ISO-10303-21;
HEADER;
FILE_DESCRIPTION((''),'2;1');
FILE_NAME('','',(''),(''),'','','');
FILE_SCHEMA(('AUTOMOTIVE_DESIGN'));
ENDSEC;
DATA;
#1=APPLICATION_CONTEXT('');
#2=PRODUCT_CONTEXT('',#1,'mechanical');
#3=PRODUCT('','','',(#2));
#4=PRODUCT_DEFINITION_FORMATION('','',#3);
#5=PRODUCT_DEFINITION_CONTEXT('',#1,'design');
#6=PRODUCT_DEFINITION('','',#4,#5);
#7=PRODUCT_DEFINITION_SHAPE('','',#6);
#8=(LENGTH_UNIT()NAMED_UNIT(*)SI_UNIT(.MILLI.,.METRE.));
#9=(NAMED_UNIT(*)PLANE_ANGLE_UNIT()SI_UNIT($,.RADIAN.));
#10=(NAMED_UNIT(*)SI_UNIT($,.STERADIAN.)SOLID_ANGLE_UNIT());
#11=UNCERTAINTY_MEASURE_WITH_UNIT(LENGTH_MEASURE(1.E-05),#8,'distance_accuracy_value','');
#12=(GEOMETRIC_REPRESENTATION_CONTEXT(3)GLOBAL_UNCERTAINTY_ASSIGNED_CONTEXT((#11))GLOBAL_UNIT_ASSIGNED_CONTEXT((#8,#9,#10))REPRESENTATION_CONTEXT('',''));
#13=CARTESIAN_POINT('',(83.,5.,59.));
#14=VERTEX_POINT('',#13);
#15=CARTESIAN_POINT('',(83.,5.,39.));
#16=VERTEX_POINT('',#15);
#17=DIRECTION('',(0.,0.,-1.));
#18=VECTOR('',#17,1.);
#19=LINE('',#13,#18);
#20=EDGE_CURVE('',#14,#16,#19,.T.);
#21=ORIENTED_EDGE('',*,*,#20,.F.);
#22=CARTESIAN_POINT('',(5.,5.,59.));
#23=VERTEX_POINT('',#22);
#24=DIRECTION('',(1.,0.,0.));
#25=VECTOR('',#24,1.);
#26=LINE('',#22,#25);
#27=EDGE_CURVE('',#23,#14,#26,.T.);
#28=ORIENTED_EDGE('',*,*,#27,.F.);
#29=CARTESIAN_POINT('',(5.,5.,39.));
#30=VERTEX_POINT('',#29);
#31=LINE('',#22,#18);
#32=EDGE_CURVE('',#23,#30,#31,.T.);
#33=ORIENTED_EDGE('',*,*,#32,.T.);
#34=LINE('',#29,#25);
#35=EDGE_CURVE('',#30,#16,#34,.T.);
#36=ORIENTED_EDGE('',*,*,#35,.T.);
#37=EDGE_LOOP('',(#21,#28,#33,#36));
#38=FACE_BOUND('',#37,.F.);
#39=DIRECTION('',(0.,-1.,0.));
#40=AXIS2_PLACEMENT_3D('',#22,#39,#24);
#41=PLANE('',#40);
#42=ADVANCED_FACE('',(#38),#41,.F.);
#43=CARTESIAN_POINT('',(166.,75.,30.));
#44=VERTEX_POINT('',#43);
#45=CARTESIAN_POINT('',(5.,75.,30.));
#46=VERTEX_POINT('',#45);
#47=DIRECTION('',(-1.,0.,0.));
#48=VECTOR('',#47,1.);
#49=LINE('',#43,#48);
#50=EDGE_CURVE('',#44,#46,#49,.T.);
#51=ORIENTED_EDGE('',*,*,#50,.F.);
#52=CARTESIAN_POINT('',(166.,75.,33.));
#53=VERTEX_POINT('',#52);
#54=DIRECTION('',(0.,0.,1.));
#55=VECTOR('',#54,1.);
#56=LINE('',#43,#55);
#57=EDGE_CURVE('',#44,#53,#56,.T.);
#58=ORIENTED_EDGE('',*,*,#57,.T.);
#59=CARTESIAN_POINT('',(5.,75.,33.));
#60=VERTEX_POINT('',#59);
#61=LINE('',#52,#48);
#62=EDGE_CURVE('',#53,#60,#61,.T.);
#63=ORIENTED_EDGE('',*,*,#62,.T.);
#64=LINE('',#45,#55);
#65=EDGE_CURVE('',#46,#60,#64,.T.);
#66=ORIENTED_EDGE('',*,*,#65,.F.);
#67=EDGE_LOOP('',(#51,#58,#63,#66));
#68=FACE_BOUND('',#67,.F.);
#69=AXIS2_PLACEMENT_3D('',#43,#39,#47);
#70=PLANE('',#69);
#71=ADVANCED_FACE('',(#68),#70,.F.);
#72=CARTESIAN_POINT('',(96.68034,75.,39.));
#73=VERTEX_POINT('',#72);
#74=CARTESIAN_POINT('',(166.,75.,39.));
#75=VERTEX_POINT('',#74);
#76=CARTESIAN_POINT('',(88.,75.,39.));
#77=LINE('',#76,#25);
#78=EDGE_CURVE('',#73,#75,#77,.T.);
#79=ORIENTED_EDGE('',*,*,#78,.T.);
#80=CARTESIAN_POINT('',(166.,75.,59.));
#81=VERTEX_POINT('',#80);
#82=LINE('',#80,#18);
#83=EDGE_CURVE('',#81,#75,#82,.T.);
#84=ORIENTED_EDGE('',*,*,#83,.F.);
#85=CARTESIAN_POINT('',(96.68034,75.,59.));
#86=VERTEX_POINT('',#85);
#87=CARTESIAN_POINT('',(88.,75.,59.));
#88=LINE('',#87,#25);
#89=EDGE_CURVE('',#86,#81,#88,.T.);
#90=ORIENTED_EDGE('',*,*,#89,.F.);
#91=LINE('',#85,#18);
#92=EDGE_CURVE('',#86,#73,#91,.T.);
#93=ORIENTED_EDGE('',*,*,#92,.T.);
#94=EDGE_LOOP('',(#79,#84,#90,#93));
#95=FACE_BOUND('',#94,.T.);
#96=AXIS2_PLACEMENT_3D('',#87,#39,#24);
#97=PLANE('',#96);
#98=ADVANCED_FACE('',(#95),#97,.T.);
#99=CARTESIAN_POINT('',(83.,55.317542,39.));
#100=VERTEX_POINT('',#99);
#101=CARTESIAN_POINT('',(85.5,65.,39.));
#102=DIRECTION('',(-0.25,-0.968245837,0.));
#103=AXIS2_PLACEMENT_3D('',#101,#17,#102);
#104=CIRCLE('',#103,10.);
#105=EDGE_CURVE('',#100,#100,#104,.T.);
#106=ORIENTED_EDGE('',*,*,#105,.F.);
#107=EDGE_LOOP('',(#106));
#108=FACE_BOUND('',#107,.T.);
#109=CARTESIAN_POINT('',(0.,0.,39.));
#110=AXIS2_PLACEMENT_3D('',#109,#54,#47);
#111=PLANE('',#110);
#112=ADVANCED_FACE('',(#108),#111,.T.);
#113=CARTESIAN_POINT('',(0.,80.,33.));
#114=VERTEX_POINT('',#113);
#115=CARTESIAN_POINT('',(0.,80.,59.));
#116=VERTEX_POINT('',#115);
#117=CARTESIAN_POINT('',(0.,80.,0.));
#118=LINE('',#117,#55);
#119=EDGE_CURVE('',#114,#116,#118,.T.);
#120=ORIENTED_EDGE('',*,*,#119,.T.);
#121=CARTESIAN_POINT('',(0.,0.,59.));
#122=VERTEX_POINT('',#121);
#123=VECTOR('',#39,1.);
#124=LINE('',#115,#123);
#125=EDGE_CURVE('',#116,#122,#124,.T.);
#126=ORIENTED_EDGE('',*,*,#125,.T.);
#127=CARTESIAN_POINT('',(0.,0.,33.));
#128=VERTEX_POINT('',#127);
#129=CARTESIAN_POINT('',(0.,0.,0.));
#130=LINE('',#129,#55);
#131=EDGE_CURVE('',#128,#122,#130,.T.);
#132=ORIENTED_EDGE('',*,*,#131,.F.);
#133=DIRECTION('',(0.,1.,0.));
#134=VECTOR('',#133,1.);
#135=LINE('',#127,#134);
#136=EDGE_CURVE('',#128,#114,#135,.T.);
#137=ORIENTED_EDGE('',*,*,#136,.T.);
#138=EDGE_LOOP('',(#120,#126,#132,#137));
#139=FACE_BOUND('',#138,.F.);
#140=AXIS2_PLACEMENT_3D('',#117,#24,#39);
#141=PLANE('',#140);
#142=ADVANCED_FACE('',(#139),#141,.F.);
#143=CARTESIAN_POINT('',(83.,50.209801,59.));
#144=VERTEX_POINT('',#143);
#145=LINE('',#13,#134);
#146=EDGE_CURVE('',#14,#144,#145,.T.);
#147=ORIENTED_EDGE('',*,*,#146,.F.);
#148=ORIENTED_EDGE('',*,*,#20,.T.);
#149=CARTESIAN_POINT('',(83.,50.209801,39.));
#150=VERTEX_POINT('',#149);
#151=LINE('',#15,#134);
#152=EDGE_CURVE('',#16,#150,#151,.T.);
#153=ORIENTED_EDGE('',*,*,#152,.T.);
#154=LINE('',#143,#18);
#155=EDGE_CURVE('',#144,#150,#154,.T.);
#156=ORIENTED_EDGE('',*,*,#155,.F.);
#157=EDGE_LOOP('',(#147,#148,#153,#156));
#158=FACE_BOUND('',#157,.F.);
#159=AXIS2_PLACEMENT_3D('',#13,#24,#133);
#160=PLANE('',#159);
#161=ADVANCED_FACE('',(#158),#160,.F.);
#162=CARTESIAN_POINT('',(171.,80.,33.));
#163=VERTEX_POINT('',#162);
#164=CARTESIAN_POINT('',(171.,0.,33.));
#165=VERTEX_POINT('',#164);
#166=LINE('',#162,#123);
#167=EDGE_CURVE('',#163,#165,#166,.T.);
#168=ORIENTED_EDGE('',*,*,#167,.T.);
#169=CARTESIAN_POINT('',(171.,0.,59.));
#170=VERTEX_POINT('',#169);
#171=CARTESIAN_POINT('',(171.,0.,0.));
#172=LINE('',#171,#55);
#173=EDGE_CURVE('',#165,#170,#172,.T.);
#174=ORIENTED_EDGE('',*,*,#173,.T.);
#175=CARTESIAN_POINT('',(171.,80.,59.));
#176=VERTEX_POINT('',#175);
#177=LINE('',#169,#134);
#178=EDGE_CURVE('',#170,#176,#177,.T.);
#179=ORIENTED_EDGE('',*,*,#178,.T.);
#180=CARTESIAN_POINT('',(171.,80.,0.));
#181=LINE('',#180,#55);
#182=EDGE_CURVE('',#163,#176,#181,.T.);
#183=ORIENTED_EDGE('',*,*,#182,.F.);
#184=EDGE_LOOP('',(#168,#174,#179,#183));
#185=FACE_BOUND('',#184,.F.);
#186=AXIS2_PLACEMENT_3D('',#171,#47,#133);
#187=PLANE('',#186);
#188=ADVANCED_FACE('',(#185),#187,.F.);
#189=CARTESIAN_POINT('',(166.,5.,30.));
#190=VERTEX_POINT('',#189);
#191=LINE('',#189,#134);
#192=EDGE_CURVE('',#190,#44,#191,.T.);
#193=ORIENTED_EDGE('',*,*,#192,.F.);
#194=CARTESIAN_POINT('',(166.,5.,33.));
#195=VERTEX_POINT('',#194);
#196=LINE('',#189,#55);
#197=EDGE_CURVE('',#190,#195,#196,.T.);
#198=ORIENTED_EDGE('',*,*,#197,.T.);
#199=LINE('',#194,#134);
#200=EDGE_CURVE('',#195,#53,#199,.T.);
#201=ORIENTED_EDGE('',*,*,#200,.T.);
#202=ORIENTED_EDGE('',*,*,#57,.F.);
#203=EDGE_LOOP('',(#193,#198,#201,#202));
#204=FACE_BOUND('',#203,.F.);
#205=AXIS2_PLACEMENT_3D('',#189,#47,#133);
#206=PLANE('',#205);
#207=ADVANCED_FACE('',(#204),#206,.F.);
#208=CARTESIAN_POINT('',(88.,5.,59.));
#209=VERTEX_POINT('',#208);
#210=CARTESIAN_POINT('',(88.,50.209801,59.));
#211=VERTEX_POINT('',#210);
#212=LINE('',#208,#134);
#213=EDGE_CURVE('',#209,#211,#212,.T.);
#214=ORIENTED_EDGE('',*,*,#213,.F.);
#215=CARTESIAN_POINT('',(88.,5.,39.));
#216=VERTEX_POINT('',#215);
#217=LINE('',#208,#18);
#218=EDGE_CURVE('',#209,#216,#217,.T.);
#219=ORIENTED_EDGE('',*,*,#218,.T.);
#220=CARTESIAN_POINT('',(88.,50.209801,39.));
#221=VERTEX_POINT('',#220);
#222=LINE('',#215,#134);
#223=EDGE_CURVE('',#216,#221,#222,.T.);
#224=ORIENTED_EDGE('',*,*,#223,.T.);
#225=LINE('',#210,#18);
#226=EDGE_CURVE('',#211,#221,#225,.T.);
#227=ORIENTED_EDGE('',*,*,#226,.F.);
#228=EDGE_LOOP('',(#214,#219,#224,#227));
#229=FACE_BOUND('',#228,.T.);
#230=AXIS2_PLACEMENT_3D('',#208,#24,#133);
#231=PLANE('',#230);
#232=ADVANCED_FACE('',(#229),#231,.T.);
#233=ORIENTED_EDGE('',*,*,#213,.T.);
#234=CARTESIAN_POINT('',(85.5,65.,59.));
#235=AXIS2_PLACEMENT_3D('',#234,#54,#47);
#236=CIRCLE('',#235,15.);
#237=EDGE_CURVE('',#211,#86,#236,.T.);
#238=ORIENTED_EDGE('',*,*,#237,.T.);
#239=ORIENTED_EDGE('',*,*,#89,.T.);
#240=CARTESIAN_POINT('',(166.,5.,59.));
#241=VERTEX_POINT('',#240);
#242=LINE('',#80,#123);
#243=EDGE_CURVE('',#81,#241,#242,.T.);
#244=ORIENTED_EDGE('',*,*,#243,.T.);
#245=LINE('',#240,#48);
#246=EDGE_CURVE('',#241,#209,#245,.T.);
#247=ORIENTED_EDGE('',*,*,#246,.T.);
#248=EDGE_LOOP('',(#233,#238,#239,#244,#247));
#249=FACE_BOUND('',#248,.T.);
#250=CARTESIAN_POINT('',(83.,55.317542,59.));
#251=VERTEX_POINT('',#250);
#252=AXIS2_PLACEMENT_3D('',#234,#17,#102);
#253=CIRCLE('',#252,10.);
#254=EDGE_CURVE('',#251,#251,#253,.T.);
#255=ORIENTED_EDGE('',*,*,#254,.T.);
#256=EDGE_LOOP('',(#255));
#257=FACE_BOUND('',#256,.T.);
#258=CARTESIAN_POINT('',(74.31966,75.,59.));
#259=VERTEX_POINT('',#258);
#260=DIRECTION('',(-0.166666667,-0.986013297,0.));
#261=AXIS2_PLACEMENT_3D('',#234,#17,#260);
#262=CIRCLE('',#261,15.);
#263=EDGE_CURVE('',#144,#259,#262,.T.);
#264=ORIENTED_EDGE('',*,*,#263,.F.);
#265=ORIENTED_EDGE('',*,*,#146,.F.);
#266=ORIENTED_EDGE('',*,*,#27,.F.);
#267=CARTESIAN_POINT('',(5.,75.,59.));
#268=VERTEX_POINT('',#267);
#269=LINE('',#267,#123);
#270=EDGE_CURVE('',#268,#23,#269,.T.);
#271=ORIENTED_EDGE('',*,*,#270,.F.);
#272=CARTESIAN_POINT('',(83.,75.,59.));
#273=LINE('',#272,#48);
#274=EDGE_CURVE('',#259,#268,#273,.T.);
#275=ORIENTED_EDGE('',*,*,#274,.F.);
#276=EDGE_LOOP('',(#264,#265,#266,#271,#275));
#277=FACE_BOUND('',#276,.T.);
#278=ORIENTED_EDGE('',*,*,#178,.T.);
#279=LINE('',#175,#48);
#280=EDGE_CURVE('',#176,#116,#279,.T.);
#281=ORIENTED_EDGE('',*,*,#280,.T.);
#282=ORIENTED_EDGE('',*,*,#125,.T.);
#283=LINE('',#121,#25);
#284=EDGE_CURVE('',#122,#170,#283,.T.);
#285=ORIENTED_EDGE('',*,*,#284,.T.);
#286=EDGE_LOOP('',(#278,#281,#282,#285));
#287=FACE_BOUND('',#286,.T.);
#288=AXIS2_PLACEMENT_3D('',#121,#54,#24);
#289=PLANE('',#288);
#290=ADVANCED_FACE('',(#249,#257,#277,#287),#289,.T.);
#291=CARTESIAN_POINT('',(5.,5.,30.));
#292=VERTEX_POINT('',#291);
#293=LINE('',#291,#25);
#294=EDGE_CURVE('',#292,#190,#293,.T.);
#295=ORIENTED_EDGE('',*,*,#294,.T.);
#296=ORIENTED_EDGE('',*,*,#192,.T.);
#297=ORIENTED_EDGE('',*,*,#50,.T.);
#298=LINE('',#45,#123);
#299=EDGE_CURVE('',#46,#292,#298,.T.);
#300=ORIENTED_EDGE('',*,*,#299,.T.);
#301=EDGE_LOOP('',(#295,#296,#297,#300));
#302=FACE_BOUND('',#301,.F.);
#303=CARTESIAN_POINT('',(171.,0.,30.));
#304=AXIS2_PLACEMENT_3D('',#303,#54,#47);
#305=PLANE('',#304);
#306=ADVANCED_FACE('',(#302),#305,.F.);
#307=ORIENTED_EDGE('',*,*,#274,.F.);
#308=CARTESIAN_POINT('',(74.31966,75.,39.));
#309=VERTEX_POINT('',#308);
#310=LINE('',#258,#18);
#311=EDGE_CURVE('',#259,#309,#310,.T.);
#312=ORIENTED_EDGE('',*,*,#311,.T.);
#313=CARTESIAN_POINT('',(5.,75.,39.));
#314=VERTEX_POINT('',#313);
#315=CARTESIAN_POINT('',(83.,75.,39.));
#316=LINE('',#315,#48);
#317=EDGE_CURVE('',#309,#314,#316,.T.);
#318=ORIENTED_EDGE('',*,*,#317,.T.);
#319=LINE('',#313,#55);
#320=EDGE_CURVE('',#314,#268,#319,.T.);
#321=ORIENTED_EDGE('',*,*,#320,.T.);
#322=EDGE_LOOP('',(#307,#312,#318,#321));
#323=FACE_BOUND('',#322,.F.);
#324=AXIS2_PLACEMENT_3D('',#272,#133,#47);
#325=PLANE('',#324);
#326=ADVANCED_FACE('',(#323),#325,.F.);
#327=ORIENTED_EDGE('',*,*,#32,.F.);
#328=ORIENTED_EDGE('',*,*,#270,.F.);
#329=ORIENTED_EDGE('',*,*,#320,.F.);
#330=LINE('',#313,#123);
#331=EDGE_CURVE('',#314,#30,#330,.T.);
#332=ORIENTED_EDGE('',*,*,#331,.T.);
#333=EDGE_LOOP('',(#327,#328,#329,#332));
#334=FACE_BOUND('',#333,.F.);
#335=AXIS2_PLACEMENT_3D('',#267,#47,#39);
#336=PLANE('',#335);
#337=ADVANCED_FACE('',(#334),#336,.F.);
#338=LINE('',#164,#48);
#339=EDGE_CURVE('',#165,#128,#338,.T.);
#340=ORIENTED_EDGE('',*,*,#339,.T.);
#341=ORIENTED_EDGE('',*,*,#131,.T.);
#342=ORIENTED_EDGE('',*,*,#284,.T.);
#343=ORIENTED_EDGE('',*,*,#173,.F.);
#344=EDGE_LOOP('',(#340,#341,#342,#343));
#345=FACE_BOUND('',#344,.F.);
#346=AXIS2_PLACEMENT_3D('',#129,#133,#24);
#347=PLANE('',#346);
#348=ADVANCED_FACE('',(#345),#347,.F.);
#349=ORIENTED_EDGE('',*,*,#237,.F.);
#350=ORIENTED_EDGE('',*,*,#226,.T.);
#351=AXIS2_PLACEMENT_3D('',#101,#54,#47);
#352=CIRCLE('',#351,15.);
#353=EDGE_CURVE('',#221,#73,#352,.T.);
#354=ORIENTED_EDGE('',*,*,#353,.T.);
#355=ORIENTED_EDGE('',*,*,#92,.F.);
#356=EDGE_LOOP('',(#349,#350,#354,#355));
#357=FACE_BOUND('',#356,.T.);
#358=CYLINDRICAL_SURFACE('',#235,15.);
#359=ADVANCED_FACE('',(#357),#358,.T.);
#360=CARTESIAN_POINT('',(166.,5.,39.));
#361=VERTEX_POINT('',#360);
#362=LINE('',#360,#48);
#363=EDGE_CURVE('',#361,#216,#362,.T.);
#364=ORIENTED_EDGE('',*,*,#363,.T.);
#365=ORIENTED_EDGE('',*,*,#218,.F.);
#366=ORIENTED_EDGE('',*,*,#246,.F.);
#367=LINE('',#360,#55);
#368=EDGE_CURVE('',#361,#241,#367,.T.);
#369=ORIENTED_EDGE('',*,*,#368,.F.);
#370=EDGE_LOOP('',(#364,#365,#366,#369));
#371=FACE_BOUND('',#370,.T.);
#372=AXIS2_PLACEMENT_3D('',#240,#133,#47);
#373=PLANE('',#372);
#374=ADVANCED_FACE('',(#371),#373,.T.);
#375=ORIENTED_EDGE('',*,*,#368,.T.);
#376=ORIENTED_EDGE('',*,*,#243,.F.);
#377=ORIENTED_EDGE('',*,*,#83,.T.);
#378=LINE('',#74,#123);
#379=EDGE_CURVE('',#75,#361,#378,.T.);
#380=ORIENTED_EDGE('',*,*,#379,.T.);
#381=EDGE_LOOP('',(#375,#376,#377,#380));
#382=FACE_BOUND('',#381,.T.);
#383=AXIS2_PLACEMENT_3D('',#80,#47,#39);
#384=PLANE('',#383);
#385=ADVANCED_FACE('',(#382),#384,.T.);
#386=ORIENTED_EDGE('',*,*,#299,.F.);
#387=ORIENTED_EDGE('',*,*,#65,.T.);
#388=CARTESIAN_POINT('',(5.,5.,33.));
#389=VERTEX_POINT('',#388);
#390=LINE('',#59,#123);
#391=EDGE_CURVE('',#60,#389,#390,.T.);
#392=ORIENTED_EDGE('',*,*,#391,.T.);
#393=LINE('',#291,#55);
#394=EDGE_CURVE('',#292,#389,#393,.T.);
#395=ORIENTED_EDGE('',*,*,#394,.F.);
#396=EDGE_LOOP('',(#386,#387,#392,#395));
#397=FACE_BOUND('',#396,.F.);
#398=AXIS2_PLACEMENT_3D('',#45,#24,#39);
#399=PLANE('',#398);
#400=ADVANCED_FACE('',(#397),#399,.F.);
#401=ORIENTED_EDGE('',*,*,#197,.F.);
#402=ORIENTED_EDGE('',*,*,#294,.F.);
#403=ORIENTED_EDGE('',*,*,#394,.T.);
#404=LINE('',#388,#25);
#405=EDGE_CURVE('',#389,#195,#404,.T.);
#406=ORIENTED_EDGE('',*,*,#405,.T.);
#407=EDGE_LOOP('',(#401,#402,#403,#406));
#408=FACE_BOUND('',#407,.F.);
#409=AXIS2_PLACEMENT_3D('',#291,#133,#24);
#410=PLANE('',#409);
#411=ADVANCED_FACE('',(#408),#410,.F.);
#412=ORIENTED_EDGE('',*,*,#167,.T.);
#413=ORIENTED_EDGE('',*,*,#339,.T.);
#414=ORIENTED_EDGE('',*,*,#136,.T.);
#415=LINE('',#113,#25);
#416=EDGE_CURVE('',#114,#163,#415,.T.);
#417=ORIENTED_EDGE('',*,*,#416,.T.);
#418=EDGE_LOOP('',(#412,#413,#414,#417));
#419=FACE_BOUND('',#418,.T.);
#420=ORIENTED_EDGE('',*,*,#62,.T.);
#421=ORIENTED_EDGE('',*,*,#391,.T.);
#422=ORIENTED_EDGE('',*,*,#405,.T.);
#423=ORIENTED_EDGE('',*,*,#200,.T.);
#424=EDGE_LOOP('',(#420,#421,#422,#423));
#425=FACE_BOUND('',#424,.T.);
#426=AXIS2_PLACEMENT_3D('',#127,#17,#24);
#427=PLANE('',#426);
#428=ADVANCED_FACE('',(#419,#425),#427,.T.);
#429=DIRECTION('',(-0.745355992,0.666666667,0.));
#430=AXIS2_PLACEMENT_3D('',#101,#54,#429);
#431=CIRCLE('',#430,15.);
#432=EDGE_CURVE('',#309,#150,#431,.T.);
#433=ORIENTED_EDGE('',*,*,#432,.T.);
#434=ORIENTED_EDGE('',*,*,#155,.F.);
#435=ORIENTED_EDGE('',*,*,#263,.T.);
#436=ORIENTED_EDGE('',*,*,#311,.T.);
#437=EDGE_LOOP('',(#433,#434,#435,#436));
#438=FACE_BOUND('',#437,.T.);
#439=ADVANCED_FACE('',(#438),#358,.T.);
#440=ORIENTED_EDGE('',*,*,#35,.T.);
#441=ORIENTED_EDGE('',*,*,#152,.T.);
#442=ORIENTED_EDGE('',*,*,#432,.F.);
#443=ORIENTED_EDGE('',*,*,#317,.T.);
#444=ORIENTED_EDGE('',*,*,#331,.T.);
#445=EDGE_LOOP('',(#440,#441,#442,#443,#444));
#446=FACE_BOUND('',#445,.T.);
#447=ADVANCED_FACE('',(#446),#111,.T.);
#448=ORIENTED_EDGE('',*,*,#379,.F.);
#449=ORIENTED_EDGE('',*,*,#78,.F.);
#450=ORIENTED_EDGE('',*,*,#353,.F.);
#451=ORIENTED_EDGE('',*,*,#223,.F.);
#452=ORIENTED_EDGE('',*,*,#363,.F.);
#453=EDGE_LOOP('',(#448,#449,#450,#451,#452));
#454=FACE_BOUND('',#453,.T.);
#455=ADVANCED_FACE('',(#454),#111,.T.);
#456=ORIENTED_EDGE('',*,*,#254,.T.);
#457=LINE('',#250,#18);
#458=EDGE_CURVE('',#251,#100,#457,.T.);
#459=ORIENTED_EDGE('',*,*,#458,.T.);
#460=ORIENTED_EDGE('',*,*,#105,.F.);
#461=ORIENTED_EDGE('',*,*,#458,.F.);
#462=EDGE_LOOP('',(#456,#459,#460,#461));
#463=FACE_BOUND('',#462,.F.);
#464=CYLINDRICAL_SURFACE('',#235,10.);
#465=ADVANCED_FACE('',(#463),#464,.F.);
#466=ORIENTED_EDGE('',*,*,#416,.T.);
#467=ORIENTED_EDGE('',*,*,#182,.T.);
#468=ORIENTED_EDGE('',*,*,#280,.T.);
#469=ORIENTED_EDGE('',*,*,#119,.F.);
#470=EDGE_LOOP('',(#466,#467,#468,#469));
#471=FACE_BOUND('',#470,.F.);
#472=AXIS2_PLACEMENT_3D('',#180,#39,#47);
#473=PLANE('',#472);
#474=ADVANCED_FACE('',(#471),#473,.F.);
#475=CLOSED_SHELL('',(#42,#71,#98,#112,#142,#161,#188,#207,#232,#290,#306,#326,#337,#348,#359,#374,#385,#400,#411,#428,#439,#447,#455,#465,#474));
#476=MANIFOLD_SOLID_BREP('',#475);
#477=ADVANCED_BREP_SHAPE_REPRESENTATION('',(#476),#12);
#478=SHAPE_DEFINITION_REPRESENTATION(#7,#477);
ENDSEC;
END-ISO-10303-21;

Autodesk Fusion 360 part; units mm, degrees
sketch "Sketch1" plane through (0, 0, 0) normal (0, 0, 1) x (1, 0, 0)
  line L0 (0, 0) -> (171, 0)
  line L1 (171, 0) -> (171, 80)
  line L2 (171, 80) -> (0, 80)
  line L3 (0, 80) -> (0, 0)
  dimension "d1" = 171
  dimension "d2" = 80
extrude "Extrude1" add sketch "Sketch1" along normal blind 59
sketch "Sketch2" plane through (0, 0, 59) normal (0, 0, 1) x (-1, 0, 0)
  line L0 (0, -80) -> (0, 0)
  line L1 (0, 0) -> (-171, 0)
  line L2 (-171, 0) -> (-171, -80)
  line L3 (-171, -80) -> (0, -80)
  line L4 (-166, -5) -> (-88, -5)
  line L5 (-88, -5) -> (-88, -75)
  line L6 (-88, -75) -> (-166, -75)
  line L7 (-166, -75) -> (-166, -5)
  line L8 (-85.5, 0) -> (-85.5, -80)
  line L9 (-5, -5) -> (-83, -5)
  line L10 (-5, -75) -> (-5, -5)
  line L11 (-83, -5) -> (-83, -75)
  line L12 (-83, -75) -> (-5, -75)
  dimension "d5" = 85.5
  dimension "d6" = 70
  dimension "d8" = 5
  dimension "d9" = 5
  dimension "d10" = 2.5
  dimension "d11" = 5
extrude "Extrude2" cut sketch "Sketch2" against normal blind 10 contours L4 L5 L6 L7 | L9 L10 L11 L12
extrude "Extrude3" cut 2 faces at (57, 28.3333, 49) (140, 28.3333, 49) along direction (0, 0, -1) blind 10
sketch "Sketch3" plane through (0, 0, 59) normal (0, 0, 1) x (-1, 0, 0)
  line L0 (-88, -5) -> (-88, -75)
  line L1 (-88, -75) -> (-166, -75)
  line L2 (-166, -75) -> (-166, -5)
  line L3 (-166, -5) -> (-88, -5)
  line L4 (-5, -5) -> (-5, -75)
  line L5 (-5, -75) -> (-83, -75)
  line L6 (-83, -75) -> (-83, -5)
  line L7 (-83, -5) -> (-5, -5)
  line L8 (0, -80) -> (0, 0)
  line L9 (0, 0) -> (-171, 0)
  line L10 (-171, 0) -> (-171, -80)
  line L11 (-171, -80) -> (0, -80)
  circle A0 centre (-85.5, -65) radius 10
  line L12 (-85.5, 0) -> (-85.5, -80)
  line L13 (-83, -75) -> (-5, -75)
  circle A1 centre (-85.5, -65) radius 15
  dimension "d16" = 20
  dimension "d17" = 10
  dimension "d18" = 30
extrude "Extrude4" add sketch "Sketch3" against normal blind 20 contours L0 L1 A0 A1 | L5 L6 A0 L13 A1
extrude "Extrude5" cut sketch "Sketch3" against normal blind 20 contours L0 A0 L12 | L6 A0 L12
sketch "Sketch4" plane through (0, 0, 0) normal (0, -1, 0) x (1, 0, 0)
  line L0 (0, 0) -> (171, 0)
  line L1 (171, 0) -> (171, 59)
  line L2 (171, 59) -> (0, 59)
  line L3 (0, 59) -> (0, 0)
  line L4 (0, 0) -> (171, 0)
  line L5 (171, 0) -> (171, 30)
  line L6 (171, 30) -> (0, 30)
  line L7 (0, 30) -> (0, 0)
  dimension "d23" = 30
extrude "Extrude6" cut sketch "Sketch4" against normal blind 80 contours L0 L1 L3 L4 L5 L6 L7
sketch "Sketch5" plane through (0, 0, 30) normal (0, 0, -1) x (1, 0, 0)
  line L0 (171, 0) -> (0, 0)
  line L1 (0, 0) -> (0, -80)
  line L2 (0, -80) -> (171, -80)
  line L3 (171, -80) -> (171, 0)
  line L4 (166, -75) -> (5, -75)
  line L5 (5, -75) -> (5, -5)
  line L6 (5, -5) -> (166, -5)
  line L7 (166, -5) -> (166, -75)
  point P0 (166, -75)
  point P1 (5, -5)
extrude "Extrude7" cut sketch "Sketch5" against normal blind 3
